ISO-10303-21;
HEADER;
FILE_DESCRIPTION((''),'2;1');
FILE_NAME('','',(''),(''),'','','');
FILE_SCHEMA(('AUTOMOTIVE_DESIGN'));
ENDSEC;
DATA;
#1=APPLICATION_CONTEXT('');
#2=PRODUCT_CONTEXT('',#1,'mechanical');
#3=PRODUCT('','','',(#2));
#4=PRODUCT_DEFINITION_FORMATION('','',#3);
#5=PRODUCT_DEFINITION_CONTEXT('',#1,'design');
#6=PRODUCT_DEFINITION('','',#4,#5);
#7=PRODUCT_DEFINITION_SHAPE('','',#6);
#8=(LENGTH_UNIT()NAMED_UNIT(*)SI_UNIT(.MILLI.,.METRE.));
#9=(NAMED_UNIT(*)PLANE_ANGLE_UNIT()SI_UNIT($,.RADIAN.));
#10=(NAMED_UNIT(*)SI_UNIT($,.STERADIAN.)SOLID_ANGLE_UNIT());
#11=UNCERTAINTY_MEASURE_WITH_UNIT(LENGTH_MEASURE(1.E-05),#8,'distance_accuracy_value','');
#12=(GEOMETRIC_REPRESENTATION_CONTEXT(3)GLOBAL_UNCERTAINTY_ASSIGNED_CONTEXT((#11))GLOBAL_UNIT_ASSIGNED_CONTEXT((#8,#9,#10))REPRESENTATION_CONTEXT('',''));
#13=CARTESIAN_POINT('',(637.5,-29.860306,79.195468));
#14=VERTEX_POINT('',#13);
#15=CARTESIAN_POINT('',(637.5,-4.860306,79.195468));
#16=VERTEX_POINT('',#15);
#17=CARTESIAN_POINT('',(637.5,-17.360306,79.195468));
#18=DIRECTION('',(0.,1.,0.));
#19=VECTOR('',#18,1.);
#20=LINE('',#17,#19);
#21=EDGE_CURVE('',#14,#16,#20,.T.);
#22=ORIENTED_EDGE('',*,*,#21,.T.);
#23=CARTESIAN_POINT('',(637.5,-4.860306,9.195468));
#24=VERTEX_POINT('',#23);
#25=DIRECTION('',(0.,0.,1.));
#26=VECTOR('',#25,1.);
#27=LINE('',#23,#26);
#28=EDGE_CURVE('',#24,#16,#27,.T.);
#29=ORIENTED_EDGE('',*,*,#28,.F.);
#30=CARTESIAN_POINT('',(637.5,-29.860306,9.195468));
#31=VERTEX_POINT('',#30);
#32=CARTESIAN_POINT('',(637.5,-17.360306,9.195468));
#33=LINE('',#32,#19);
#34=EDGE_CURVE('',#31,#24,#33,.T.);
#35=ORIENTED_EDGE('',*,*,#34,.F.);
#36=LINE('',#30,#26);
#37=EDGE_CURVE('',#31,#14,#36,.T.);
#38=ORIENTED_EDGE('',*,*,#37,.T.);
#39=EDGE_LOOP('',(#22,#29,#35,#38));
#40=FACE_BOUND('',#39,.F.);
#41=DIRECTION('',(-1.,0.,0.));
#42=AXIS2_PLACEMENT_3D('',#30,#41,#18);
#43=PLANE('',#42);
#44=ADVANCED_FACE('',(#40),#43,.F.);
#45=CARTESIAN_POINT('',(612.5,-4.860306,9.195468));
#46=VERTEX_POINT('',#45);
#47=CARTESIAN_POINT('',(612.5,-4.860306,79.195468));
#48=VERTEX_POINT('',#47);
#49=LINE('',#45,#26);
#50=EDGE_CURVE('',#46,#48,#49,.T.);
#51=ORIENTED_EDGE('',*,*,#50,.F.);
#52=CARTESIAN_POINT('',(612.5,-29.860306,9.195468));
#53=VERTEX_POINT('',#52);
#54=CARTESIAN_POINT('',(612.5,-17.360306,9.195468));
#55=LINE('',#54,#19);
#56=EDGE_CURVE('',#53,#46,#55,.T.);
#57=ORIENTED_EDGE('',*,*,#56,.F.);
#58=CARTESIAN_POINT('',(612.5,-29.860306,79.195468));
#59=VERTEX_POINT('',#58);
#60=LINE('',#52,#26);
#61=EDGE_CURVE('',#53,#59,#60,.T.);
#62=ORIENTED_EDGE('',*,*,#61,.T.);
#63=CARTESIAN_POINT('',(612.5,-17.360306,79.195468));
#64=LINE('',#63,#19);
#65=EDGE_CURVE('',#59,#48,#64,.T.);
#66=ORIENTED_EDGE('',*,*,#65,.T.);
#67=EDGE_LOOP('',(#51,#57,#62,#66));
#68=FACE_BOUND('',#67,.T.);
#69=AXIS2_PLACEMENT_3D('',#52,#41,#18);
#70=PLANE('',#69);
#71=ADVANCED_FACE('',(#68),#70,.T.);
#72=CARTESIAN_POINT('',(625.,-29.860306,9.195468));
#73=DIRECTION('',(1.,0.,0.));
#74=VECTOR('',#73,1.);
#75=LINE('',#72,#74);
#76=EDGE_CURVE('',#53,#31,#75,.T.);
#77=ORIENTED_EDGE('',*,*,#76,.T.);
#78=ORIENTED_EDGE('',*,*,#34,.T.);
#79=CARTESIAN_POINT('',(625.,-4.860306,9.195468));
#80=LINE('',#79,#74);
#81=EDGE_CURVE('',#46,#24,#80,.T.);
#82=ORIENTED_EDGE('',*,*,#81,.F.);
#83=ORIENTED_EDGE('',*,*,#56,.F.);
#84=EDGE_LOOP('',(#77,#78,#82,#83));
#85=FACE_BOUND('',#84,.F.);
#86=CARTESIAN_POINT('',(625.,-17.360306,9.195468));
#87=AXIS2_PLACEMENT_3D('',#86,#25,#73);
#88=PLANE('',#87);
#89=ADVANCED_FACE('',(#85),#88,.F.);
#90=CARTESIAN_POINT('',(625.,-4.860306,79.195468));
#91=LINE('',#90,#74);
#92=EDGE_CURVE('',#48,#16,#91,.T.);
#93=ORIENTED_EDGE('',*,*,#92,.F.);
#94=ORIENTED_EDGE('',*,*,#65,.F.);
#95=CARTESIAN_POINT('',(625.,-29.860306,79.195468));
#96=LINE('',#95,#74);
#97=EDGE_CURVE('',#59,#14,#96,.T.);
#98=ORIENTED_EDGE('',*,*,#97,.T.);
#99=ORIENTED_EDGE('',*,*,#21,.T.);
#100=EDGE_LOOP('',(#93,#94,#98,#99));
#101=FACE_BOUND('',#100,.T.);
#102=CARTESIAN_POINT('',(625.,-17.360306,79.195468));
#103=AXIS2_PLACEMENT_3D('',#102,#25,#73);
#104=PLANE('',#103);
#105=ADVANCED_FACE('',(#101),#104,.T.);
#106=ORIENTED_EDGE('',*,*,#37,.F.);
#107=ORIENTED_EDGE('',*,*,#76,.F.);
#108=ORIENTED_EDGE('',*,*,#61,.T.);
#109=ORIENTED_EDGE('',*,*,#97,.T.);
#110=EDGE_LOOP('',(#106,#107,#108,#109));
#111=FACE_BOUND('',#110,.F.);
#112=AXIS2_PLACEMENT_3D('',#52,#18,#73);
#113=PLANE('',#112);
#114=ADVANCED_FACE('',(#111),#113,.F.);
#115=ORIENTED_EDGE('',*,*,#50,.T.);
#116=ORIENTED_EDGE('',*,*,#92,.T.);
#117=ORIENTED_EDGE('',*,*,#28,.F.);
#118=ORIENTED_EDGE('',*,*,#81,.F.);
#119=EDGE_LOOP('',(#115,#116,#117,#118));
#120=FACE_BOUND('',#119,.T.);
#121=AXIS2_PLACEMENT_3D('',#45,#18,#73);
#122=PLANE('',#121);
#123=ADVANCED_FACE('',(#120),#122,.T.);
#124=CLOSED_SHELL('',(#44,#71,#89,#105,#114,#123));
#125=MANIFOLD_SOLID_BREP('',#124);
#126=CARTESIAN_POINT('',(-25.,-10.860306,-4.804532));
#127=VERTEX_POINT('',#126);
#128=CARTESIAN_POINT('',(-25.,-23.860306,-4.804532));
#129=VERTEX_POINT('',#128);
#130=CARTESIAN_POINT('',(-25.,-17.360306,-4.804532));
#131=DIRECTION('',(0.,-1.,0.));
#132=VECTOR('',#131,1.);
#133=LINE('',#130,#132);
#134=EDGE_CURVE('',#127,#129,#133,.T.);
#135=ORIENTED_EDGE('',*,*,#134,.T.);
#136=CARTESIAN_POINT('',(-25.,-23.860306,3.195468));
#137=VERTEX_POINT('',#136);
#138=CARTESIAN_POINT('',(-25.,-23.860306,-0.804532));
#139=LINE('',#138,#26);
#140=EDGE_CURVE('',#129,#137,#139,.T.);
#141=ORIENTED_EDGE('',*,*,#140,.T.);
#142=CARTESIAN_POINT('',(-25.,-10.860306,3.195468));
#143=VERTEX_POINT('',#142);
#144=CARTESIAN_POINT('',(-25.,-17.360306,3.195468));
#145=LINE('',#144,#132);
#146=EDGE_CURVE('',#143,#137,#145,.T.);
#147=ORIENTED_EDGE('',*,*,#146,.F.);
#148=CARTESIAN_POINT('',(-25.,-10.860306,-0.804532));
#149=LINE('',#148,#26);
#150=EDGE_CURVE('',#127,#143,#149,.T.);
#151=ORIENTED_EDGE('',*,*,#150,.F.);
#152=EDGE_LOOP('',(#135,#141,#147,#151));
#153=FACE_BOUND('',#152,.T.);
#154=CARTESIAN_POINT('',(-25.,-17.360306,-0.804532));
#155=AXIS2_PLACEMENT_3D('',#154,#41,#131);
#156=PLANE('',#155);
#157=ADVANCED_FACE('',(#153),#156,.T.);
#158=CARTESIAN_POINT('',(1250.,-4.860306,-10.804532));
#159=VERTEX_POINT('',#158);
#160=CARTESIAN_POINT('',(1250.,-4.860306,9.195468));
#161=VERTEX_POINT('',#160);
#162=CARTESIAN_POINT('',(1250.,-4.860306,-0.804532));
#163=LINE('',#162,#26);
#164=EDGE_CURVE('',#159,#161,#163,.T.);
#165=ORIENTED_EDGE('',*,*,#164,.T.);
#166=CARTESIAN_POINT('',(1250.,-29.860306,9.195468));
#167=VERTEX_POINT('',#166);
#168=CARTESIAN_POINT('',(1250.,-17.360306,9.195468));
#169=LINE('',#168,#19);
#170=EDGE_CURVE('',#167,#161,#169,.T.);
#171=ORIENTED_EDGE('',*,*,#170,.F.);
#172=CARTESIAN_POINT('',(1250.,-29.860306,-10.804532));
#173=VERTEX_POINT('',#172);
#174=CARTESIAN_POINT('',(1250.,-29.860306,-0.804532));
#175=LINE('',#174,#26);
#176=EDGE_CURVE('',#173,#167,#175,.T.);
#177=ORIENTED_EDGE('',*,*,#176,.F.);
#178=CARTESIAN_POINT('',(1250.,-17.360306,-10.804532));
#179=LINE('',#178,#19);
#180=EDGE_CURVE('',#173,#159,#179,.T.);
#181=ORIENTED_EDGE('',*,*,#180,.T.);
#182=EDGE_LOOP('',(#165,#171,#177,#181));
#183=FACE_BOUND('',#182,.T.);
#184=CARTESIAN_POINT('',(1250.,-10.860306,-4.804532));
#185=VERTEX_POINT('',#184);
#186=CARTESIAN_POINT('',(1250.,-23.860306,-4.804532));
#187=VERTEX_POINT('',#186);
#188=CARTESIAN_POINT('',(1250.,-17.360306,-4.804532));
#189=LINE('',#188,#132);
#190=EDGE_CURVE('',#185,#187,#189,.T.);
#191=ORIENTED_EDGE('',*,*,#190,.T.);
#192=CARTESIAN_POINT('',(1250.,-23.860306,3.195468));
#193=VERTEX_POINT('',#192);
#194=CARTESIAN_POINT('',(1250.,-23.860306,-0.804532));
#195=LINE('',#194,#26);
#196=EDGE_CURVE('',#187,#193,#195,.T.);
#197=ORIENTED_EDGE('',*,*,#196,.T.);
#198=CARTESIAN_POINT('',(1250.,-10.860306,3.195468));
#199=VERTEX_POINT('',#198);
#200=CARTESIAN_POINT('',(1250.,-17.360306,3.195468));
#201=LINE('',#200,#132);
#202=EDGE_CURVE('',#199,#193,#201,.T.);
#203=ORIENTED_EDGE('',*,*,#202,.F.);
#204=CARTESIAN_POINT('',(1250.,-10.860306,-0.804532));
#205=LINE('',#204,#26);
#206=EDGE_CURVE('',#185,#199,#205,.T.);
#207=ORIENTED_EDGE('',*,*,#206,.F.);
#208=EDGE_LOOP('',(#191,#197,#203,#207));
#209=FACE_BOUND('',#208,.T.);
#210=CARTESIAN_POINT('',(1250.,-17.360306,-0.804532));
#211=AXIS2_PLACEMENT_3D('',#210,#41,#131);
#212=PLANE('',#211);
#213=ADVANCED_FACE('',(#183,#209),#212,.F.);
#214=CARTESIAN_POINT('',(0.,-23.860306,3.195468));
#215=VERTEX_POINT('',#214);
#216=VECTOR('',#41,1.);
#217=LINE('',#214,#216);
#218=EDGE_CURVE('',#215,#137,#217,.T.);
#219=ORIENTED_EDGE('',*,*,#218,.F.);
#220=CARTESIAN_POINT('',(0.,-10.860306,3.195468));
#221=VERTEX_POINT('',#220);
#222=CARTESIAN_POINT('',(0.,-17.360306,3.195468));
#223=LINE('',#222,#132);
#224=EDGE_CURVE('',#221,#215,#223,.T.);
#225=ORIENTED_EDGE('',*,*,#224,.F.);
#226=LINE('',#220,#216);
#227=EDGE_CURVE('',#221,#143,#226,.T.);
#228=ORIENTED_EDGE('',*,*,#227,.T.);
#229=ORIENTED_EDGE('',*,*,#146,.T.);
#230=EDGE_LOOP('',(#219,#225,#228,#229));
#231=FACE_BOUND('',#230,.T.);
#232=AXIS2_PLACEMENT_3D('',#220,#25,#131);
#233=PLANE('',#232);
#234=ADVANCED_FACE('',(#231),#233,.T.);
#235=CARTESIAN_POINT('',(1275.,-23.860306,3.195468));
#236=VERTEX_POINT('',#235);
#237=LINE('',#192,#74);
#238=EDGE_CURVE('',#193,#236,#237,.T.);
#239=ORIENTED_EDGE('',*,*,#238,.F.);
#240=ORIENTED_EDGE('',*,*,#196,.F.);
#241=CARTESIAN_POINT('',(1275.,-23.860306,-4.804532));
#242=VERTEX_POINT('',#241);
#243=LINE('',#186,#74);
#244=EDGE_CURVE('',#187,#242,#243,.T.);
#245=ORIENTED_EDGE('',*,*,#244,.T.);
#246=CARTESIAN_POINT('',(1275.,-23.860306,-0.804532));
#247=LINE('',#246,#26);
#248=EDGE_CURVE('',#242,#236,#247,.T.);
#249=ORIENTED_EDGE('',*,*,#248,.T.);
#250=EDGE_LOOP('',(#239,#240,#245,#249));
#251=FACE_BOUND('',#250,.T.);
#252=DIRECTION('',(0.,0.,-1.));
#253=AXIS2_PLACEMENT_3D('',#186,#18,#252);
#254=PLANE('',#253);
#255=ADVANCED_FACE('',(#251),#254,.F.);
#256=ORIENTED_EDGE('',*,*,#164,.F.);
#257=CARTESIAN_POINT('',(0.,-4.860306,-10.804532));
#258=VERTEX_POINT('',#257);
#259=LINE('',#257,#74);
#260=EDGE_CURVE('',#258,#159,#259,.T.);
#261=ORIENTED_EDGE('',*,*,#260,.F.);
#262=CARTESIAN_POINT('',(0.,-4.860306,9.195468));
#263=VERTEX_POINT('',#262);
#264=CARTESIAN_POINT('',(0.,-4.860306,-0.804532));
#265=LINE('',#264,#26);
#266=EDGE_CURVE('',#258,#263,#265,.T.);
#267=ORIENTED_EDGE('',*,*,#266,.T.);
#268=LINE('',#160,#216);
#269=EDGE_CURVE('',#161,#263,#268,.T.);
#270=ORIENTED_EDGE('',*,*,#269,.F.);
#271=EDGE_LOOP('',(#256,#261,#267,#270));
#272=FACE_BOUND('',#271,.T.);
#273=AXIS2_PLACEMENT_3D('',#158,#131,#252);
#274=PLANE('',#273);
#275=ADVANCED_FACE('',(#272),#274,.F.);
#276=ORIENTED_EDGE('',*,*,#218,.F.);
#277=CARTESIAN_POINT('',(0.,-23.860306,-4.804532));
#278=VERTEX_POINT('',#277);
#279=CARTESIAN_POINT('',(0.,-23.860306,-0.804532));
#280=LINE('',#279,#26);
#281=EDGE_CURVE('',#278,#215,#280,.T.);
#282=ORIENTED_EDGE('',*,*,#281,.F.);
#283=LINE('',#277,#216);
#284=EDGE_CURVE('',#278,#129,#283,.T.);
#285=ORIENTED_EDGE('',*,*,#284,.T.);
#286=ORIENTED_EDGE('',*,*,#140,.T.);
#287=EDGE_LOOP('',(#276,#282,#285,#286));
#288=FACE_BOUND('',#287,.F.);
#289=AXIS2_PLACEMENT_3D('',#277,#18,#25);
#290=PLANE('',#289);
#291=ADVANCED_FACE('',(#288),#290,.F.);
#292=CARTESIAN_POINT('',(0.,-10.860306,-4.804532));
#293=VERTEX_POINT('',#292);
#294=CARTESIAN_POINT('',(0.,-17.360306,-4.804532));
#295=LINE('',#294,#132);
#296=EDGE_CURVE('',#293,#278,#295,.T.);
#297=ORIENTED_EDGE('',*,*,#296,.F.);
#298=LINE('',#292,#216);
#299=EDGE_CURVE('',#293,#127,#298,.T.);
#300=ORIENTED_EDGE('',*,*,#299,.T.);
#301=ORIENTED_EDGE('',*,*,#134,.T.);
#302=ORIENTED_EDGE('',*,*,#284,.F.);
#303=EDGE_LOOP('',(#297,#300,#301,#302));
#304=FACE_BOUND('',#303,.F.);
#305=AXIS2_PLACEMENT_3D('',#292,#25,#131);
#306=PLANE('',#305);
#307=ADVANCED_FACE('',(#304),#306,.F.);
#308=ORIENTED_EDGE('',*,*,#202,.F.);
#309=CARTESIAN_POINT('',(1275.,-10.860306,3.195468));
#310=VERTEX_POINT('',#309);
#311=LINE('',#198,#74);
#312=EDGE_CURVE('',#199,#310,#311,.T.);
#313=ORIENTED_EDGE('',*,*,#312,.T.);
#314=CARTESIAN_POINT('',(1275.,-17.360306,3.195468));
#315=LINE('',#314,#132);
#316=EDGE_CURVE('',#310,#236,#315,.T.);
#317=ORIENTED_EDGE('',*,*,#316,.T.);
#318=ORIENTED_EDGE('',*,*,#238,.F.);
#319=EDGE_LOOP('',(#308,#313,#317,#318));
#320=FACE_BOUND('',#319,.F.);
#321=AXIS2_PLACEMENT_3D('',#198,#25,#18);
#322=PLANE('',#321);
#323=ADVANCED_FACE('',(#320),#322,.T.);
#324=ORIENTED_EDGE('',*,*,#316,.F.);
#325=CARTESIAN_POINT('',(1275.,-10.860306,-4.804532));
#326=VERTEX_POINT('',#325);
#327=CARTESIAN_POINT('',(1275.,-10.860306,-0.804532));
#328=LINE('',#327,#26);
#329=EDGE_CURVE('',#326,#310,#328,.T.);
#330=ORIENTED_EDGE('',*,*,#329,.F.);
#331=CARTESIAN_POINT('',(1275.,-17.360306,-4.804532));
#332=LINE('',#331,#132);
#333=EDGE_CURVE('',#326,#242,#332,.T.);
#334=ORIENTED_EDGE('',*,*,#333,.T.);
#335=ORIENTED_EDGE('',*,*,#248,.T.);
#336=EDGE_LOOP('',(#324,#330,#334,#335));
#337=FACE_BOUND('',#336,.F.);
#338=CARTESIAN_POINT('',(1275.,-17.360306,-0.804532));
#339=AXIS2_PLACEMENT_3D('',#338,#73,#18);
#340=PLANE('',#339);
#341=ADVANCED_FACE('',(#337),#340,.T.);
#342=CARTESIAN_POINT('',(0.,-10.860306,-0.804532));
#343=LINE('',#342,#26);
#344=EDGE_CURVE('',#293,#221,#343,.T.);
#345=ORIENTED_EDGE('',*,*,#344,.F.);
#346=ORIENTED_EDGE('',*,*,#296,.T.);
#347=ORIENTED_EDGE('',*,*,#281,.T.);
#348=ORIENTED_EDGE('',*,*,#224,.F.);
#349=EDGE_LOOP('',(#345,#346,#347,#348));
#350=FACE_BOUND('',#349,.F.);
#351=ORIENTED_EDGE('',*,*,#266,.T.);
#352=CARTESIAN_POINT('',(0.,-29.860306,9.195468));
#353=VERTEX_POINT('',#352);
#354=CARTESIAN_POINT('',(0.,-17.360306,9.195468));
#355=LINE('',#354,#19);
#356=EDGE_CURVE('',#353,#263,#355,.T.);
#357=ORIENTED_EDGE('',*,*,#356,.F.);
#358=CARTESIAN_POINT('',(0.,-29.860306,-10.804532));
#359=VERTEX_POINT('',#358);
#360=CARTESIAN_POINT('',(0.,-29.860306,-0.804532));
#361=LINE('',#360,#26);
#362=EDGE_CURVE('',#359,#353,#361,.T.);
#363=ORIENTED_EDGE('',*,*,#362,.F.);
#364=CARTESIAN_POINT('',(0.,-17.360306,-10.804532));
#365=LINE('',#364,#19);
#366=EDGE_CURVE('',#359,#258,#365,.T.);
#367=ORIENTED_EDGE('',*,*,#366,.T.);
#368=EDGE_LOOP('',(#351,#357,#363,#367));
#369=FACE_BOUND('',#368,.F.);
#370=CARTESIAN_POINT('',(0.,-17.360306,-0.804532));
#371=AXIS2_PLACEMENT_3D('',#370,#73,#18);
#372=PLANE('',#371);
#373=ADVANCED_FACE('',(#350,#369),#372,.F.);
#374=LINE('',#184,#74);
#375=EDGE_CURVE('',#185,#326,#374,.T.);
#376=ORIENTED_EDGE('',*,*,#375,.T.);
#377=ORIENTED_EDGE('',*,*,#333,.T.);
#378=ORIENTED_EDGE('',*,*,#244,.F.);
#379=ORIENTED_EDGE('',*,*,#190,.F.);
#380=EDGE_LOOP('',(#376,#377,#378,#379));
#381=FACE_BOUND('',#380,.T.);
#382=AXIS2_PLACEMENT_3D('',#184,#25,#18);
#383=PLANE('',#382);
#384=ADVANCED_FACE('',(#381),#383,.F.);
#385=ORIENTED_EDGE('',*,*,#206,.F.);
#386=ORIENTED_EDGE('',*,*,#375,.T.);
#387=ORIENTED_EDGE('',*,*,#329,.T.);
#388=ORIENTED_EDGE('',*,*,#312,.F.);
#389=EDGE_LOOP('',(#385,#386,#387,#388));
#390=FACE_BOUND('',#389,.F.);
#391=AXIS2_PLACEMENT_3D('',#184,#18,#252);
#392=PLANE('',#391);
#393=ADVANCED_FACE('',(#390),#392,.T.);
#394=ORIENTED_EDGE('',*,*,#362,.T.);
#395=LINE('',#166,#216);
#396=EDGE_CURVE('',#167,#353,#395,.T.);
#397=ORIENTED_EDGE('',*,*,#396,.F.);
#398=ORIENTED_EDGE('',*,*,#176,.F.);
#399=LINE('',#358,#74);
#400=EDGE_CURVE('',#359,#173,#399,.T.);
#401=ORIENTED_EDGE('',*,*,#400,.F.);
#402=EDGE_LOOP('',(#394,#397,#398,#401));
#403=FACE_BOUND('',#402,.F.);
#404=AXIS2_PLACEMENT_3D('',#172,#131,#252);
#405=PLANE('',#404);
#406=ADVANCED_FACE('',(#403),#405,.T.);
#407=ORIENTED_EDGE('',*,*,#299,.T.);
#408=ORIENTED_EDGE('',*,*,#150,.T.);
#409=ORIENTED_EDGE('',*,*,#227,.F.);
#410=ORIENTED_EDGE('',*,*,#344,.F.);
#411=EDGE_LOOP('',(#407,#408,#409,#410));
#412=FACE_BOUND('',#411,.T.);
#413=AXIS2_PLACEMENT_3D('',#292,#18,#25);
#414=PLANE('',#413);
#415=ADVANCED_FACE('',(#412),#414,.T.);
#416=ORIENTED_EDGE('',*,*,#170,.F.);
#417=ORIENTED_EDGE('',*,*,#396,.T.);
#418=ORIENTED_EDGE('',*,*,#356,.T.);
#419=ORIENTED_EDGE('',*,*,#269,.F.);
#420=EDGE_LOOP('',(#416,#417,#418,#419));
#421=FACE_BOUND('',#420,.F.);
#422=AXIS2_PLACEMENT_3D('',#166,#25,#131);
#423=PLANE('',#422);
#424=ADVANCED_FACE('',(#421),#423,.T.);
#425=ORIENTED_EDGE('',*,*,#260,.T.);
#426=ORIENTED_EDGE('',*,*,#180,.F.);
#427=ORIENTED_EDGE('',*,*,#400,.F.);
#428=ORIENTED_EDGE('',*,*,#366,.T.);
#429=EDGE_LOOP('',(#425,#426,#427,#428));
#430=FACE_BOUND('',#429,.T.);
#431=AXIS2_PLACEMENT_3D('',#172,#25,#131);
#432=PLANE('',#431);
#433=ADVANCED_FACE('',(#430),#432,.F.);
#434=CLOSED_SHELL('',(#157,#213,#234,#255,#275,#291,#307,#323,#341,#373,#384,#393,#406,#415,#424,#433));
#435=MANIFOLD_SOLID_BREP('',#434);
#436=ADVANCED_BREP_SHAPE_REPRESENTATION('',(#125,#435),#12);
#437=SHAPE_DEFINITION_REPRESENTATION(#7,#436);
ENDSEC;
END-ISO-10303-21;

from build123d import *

# Parameters (mm, degrees)
F0_W     = 25
F0_H     = 20
F1_DEPTH = 625
F2_W     = 13
F2_H     = 8
F3_DEPTH = 25
F5_W     = 25
F5_H     = 25
F6_DEPTH = 70


with BuildPart() as f1:
    # F0 (on Right) → F1 (new body)
    with BuildSketch(Plane.YZ):
        with Locations((-17.360306, -0.804532)):
            Rectangle(F0_W, F0_H)
    extrude(amount=F1_DEPTH)

    # F2 (on face) → F3 (join)
    with BuildSketch(Plane(origin=(0, 0, 0), x_dir=(0, -1, 0), z_dir=(-1, 0, 0))):
        with Locations((17.360306, -0.804532)):
            Rectangle(F2_W, F2_H)
    extrude(amount=F3_DEPTH)

    # F4: F1 across face


with BuildPart() as f1_1:
    add(f1.part)
    add(f1.part.mirror(Plane(origin=(625, -17.360306, -0.804532), x_dir=(0, 1, 0), z_dir=(1, 0, 0))))


with BuildPart() as f6:
    # F5 (on face) → F6 (new body)
    with BuildSketch(Plane.XY.offset(9.195468)):
        with Locations((625, -17.360306)):
            Rectangle(F5_W, F5_H)
    extrude(amount=F6_DEPTH)


solid = Compound([f1_1.part, f6.part])
